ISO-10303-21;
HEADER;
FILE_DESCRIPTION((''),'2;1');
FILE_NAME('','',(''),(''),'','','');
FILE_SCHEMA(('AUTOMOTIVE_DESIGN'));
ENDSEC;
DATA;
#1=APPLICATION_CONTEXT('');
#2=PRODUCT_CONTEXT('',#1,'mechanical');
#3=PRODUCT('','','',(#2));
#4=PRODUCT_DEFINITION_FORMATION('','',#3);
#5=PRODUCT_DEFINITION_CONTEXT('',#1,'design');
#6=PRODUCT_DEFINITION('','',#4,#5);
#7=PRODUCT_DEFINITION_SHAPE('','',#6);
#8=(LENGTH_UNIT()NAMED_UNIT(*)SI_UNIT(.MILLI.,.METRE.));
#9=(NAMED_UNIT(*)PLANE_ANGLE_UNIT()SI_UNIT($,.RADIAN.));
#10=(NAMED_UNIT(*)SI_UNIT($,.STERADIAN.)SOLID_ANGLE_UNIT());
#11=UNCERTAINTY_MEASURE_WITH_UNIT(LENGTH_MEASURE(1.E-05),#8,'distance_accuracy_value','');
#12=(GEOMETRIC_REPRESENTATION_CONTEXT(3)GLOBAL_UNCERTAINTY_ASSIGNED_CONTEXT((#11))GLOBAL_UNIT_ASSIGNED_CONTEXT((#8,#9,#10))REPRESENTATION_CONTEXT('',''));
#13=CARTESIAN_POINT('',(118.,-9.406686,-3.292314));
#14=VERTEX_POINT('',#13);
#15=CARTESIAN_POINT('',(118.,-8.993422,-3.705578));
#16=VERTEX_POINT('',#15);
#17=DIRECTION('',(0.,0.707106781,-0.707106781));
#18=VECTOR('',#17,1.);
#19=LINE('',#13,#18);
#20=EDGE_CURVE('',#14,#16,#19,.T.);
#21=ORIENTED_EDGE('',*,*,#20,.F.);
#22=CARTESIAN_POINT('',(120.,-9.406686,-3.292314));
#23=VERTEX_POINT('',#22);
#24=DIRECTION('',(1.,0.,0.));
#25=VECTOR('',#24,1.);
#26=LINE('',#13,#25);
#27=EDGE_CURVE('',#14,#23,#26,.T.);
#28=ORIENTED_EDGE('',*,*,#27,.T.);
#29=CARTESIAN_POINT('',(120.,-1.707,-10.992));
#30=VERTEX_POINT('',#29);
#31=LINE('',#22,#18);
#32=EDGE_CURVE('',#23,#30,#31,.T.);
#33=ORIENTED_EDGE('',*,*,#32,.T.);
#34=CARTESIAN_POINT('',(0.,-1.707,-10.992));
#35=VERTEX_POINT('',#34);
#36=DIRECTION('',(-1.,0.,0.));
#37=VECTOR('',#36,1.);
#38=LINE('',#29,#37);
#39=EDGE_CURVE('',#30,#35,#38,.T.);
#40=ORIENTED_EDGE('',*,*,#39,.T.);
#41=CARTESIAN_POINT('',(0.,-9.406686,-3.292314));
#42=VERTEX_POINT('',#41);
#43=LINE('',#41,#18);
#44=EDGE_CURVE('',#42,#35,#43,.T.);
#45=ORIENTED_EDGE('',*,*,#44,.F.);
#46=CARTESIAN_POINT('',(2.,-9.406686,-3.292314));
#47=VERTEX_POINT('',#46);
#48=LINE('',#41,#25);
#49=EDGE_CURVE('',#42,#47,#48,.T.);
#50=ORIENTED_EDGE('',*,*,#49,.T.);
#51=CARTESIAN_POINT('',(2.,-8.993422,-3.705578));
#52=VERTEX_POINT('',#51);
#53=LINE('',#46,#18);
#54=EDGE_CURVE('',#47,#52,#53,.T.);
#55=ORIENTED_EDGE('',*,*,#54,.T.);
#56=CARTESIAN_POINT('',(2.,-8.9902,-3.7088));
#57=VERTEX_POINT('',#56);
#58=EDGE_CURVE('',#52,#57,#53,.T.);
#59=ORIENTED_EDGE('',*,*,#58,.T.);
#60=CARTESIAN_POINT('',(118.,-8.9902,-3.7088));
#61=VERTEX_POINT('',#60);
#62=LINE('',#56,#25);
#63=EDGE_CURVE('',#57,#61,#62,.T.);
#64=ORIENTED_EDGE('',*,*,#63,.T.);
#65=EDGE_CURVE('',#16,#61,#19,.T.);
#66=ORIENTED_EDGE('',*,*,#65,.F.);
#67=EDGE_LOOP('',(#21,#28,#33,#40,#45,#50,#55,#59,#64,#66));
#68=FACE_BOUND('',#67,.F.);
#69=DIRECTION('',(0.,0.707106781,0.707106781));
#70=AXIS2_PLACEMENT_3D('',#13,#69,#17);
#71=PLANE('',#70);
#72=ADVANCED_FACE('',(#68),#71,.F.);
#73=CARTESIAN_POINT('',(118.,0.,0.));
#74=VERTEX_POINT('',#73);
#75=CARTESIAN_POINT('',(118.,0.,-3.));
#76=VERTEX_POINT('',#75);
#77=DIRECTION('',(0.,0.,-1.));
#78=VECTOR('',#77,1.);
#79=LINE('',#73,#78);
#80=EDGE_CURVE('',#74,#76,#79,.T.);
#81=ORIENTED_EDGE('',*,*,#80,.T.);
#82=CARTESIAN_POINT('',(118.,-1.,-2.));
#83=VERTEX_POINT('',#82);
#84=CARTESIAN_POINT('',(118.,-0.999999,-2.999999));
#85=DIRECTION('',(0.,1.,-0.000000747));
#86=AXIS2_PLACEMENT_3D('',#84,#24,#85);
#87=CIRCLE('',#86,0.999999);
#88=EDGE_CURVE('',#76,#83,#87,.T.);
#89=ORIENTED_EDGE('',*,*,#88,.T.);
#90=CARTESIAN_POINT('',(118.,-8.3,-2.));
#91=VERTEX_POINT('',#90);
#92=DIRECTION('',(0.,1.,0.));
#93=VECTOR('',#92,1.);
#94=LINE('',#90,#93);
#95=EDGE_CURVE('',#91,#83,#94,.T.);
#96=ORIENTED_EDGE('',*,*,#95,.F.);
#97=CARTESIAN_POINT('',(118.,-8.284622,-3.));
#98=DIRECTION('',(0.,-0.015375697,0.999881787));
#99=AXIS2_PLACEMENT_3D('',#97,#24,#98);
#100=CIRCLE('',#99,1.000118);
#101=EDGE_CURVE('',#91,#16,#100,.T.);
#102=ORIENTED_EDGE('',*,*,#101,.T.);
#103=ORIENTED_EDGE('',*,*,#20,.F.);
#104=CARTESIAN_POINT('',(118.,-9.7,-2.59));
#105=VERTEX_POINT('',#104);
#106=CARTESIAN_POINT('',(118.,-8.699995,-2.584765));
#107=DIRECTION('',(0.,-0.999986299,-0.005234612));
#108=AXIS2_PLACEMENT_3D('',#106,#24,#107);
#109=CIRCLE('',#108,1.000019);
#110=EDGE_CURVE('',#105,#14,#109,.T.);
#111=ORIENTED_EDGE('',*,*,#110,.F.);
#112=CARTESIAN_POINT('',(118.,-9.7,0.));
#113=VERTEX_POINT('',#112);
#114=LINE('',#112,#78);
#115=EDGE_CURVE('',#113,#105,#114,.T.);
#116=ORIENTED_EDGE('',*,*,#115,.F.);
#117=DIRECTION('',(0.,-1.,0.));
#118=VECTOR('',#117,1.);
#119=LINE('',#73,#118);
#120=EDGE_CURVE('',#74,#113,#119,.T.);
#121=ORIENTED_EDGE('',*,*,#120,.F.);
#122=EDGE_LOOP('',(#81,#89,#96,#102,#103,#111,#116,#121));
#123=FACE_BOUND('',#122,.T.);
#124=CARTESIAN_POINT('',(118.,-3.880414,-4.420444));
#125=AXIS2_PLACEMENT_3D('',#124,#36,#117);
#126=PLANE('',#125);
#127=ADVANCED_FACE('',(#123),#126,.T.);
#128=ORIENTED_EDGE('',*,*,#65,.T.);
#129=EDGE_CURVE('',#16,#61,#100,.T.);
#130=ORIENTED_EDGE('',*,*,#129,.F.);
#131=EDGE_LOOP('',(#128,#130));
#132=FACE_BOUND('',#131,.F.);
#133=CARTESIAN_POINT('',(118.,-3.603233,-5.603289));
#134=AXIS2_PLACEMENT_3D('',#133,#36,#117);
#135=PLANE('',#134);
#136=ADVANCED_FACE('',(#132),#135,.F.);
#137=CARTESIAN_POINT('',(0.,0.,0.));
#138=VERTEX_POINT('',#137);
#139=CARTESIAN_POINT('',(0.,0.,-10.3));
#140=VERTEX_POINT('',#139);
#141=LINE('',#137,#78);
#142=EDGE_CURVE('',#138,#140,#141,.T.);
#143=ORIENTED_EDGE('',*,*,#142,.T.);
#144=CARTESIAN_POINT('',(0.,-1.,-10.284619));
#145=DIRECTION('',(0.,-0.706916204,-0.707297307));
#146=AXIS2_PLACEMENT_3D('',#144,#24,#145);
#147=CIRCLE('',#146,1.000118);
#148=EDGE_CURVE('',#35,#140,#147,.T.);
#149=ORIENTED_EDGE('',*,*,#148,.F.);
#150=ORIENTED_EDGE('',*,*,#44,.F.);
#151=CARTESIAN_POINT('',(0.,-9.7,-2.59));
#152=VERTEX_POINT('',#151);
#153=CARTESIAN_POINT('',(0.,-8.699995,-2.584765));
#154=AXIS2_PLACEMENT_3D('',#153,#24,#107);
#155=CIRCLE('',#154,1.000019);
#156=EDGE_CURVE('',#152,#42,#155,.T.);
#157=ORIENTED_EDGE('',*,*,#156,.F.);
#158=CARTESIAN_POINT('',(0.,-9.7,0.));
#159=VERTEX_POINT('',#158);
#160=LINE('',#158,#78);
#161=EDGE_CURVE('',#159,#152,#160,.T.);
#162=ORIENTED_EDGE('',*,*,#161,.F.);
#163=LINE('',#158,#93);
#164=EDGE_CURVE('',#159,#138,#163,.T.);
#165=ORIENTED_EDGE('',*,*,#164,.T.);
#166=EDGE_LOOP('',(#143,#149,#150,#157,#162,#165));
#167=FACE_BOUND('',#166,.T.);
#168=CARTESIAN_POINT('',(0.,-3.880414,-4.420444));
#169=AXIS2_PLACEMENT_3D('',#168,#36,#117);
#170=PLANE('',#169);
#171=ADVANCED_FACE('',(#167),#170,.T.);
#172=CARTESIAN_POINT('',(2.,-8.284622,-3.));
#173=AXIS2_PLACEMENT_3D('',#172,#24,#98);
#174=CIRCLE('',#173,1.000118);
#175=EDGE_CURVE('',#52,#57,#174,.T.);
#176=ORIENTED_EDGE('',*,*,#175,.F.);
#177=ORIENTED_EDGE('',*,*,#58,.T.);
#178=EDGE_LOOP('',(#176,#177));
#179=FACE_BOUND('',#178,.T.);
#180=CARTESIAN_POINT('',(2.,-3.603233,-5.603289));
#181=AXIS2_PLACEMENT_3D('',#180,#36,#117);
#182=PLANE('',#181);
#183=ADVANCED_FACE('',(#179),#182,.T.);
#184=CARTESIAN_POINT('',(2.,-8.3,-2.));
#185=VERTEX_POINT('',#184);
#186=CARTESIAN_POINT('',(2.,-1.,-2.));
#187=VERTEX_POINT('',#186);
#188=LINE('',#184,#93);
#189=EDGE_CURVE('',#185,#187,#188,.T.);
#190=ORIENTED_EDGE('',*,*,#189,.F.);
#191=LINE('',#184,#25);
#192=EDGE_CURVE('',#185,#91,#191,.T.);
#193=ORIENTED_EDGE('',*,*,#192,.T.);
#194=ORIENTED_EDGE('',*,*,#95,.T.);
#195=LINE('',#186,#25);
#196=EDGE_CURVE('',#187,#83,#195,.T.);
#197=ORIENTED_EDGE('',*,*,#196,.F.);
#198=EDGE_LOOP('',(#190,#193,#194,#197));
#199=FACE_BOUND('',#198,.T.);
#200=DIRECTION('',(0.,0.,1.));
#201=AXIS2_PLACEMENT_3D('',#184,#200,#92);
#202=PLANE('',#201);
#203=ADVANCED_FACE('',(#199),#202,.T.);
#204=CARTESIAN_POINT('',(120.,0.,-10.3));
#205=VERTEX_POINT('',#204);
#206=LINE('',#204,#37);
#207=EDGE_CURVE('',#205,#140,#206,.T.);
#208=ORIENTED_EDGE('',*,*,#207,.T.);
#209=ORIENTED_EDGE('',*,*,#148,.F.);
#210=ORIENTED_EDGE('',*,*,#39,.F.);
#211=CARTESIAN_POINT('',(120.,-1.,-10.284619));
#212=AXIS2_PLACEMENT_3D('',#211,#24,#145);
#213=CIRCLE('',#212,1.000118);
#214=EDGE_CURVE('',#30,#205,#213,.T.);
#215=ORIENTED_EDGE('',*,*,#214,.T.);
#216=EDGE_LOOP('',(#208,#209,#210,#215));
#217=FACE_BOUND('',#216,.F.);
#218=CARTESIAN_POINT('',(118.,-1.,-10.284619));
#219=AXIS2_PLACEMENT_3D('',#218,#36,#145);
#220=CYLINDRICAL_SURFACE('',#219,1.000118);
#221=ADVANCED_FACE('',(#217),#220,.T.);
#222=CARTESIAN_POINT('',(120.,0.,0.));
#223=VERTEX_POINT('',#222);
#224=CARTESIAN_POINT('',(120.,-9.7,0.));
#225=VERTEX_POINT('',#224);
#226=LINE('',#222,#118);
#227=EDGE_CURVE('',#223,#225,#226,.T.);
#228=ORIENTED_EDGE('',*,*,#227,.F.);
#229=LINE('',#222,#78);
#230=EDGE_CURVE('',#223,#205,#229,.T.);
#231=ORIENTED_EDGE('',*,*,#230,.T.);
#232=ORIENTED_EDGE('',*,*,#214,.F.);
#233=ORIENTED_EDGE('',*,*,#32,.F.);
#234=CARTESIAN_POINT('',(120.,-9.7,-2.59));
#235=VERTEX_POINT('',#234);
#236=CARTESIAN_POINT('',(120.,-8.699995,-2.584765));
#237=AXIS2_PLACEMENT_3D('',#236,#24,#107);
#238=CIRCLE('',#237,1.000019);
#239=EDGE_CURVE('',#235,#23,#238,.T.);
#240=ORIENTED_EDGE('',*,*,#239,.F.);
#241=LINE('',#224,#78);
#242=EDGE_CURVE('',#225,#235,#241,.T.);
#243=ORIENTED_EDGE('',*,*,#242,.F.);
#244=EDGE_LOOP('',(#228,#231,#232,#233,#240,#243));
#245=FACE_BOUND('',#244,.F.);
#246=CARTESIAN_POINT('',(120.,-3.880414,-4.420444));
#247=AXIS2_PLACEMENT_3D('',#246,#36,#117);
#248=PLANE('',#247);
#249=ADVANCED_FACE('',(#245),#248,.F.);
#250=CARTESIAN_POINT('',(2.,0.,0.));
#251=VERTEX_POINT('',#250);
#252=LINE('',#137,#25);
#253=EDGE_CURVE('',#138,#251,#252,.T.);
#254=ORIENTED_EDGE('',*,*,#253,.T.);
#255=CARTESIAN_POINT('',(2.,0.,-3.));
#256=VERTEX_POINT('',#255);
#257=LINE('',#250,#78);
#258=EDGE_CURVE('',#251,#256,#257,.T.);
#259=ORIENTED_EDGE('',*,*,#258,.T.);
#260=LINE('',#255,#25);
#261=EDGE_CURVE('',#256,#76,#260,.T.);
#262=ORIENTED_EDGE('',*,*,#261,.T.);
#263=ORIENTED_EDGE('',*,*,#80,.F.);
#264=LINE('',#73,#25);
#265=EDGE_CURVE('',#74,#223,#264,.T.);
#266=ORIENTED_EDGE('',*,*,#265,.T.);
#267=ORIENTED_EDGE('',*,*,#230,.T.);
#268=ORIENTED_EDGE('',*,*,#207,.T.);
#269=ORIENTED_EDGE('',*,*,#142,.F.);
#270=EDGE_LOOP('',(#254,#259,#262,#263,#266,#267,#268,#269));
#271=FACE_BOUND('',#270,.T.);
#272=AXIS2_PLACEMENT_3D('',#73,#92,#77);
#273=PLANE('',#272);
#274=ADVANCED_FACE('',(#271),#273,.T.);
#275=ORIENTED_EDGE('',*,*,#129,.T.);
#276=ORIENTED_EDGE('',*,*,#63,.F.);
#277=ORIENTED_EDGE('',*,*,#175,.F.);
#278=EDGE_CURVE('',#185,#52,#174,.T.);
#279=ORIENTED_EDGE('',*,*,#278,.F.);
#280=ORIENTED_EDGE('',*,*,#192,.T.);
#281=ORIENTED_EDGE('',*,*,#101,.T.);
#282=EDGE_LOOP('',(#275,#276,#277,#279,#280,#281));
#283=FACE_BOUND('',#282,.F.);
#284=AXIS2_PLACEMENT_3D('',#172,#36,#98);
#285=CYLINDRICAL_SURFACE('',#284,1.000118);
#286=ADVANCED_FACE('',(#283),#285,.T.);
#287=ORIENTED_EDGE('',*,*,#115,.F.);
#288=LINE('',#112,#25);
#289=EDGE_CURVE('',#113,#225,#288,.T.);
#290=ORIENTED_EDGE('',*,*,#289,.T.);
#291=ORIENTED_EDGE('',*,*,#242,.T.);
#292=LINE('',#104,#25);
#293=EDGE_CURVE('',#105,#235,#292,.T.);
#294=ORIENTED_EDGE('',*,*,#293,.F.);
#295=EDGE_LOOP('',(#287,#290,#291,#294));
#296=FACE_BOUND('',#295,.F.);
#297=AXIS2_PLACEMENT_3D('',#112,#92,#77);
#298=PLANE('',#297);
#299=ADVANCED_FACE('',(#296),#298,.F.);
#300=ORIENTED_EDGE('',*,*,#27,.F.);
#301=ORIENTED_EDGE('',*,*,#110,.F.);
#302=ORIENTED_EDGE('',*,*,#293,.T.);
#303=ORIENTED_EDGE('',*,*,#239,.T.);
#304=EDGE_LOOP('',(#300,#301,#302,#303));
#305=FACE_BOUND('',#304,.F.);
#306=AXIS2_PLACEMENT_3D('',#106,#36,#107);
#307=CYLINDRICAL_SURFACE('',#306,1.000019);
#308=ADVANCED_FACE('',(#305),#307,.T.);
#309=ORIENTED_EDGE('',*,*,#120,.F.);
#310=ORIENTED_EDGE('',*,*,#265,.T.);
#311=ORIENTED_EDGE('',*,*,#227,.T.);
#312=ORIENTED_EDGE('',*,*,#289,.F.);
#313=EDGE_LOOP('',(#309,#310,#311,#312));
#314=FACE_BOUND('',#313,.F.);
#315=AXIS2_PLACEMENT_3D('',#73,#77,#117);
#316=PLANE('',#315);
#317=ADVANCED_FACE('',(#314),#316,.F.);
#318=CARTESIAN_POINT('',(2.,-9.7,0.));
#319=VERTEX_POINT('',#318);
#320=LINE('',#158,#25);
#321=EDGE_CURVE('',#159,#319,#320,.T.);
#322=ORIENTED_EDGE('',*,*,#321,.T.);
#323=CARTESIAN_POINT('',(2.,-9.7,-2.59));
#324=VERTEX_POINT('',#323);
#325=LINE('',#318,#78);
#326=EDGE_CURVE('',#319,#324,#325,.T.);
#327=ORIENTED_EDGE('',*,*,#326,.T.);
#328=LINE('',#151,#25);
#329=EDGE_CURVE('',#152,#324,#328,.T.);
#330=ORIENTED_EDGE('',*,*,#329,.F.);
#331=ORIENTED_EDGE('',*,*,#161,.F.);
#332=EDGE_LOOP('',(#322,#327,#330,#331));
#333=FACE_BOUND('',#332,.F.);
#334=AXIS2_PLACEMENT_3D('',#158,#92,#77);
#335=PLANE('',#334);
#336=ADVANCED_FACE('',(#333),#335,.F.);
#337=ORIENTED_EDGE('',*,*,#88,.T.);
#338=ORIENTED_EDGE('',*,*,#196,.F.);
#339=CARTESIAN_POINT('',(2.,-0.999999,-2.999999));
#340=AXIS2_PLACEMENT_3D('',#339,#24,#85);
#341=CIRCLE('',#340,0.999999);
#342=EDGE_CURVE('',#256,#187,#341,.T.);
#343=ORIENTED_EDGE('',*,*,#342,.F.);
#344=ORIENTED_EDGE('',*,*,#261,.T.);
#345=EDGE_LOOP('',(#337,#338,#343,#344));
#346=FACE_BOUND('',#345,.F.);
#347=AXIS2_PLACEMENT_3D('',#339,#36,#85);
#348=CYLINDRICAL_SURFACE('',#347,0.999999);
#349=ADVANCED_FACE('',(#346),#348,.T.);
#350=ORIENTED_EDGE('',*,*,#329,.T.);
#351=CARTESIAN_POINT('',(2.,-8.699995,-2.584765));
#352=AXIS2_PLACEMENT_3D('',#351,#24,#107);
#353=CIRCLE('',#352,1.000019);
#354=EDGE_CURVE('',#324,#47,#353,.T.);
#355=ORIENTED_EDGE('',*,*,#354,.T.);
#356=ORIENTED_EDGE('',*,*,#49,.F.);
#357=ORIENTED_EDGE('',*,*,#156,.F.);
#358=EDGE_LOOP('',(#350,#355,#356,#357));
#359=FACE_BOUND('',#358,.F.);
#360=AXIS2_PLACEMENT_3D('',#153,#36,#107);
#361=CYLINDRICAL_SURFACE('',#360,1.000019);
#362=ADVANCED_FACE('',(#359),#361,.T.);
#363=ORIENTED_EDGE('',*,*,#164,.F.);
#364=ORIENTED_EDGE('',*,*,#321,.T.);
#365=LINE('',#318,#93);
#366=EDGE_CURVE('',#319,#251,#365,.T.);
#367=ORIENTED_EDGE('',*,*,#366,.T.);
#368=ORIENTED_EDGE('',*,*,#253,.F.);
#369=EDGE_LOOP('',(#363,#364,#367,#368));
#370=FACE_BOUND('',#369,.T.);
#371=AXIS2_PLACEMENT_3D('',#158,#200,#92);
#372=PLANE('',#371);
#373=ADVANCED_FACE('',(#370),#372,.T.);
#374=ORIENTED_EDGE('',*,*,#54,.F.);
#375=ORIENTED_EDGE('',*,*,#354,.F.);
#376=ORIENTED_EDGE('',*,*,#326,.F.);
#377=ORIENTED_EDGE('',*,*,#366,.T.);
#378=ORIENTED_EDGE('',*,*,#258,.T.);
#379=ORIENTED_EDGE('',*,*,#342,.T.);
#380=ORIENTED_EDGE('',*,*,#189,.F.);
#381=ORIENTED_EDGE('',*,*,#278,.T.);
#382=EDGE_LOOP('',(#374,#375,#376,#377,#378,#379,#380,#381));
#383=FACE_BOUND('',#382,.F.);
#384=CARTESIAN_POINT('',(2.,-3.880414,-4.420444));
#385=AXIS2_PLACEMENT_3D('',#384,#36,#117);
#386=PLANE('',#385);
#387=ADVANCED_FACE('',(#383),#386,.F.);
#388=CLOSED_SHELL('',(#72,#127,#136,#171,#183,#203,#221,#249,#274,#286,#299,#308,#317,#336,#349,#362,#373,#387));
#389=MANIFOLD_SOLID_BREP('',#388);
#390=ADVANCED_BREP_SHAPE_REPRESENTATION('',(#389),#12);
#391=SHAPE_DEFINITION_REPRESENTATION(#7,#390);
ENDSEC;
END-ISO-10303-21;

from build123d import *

# Parameters (mm, degrees)
PAD_DEPTH    = 2
PAD001_DEPTH = 116
PAD002_DEPTH = 2


with BuildPart() as part:
    # Sketch → Pad (new body)
    with BuildSketch(Plane.YZ):
        with BuildLine():
            Line((-9.7, 0), (0, 0))
            Line((0, 0), (0, -10.3))
            ThreePointArc((-1.707, -10.992), (-0.624263, -11.211473), (0, -10.3))
            Line((-9.406686, -3.292314), (-1.707, -10.992))
            ThreePointArc((-9.7, -2.59), (-9.62277, -2.970153), (-9.406686, -3.292314))
            Line((-9.7, 0), (-9.7, -2.59))
        make_face()
    extrude(amount=PAD_DEPTH)

    # Sketch001 (on Face8 of Pad) → Pad001 (join)
    with BuildSketch(Plane.YZ.offset(2)):
        with BuildLine():
            Line((0, -3), (0, -10.3))
            ThreePointArc((-1.707, -10.992), (-0.624263, -11.211473), (0, -10.3))
            Line((-8.9902, -3.7088), (-1.707, -10.992))
            ThreePointArc((-8.3, -2), (-9.211954, -2.625443), (-8.9902, -3.7088))
            Line((-8.3, -2), (-1, -2))
            ThreePointArc((0, -3), (-0.292893, -2.292893), (-1, -2))
        make_face()
    extrude(amount=PAD001_DEPTH)

    # Sketch002 (on Face9 of Pad001) → Pad002 (join)
    with BuildSketch(Plane.YZ.offset(118)):
        with BuildLine():
            Line((0, 0), (0, -10.3))
            ThreePointArc((-1.707, -10.992), (-0.624263, -11.211473), (0, -10.3))
            Line((-9.406686, -3.292314), (-1.707, -10.992))
            ThreePointArc((-9.7, -2.59), (-9.62277, -2.970153), (-9.406686, -3.292314))
            Line((-9.7, 0), (-9.7, -2.59))
            Line((0, 0), (-9.7, 0))
        make_face()
    extrude(amount=PAD002_DEPTH)


solid = part.part
